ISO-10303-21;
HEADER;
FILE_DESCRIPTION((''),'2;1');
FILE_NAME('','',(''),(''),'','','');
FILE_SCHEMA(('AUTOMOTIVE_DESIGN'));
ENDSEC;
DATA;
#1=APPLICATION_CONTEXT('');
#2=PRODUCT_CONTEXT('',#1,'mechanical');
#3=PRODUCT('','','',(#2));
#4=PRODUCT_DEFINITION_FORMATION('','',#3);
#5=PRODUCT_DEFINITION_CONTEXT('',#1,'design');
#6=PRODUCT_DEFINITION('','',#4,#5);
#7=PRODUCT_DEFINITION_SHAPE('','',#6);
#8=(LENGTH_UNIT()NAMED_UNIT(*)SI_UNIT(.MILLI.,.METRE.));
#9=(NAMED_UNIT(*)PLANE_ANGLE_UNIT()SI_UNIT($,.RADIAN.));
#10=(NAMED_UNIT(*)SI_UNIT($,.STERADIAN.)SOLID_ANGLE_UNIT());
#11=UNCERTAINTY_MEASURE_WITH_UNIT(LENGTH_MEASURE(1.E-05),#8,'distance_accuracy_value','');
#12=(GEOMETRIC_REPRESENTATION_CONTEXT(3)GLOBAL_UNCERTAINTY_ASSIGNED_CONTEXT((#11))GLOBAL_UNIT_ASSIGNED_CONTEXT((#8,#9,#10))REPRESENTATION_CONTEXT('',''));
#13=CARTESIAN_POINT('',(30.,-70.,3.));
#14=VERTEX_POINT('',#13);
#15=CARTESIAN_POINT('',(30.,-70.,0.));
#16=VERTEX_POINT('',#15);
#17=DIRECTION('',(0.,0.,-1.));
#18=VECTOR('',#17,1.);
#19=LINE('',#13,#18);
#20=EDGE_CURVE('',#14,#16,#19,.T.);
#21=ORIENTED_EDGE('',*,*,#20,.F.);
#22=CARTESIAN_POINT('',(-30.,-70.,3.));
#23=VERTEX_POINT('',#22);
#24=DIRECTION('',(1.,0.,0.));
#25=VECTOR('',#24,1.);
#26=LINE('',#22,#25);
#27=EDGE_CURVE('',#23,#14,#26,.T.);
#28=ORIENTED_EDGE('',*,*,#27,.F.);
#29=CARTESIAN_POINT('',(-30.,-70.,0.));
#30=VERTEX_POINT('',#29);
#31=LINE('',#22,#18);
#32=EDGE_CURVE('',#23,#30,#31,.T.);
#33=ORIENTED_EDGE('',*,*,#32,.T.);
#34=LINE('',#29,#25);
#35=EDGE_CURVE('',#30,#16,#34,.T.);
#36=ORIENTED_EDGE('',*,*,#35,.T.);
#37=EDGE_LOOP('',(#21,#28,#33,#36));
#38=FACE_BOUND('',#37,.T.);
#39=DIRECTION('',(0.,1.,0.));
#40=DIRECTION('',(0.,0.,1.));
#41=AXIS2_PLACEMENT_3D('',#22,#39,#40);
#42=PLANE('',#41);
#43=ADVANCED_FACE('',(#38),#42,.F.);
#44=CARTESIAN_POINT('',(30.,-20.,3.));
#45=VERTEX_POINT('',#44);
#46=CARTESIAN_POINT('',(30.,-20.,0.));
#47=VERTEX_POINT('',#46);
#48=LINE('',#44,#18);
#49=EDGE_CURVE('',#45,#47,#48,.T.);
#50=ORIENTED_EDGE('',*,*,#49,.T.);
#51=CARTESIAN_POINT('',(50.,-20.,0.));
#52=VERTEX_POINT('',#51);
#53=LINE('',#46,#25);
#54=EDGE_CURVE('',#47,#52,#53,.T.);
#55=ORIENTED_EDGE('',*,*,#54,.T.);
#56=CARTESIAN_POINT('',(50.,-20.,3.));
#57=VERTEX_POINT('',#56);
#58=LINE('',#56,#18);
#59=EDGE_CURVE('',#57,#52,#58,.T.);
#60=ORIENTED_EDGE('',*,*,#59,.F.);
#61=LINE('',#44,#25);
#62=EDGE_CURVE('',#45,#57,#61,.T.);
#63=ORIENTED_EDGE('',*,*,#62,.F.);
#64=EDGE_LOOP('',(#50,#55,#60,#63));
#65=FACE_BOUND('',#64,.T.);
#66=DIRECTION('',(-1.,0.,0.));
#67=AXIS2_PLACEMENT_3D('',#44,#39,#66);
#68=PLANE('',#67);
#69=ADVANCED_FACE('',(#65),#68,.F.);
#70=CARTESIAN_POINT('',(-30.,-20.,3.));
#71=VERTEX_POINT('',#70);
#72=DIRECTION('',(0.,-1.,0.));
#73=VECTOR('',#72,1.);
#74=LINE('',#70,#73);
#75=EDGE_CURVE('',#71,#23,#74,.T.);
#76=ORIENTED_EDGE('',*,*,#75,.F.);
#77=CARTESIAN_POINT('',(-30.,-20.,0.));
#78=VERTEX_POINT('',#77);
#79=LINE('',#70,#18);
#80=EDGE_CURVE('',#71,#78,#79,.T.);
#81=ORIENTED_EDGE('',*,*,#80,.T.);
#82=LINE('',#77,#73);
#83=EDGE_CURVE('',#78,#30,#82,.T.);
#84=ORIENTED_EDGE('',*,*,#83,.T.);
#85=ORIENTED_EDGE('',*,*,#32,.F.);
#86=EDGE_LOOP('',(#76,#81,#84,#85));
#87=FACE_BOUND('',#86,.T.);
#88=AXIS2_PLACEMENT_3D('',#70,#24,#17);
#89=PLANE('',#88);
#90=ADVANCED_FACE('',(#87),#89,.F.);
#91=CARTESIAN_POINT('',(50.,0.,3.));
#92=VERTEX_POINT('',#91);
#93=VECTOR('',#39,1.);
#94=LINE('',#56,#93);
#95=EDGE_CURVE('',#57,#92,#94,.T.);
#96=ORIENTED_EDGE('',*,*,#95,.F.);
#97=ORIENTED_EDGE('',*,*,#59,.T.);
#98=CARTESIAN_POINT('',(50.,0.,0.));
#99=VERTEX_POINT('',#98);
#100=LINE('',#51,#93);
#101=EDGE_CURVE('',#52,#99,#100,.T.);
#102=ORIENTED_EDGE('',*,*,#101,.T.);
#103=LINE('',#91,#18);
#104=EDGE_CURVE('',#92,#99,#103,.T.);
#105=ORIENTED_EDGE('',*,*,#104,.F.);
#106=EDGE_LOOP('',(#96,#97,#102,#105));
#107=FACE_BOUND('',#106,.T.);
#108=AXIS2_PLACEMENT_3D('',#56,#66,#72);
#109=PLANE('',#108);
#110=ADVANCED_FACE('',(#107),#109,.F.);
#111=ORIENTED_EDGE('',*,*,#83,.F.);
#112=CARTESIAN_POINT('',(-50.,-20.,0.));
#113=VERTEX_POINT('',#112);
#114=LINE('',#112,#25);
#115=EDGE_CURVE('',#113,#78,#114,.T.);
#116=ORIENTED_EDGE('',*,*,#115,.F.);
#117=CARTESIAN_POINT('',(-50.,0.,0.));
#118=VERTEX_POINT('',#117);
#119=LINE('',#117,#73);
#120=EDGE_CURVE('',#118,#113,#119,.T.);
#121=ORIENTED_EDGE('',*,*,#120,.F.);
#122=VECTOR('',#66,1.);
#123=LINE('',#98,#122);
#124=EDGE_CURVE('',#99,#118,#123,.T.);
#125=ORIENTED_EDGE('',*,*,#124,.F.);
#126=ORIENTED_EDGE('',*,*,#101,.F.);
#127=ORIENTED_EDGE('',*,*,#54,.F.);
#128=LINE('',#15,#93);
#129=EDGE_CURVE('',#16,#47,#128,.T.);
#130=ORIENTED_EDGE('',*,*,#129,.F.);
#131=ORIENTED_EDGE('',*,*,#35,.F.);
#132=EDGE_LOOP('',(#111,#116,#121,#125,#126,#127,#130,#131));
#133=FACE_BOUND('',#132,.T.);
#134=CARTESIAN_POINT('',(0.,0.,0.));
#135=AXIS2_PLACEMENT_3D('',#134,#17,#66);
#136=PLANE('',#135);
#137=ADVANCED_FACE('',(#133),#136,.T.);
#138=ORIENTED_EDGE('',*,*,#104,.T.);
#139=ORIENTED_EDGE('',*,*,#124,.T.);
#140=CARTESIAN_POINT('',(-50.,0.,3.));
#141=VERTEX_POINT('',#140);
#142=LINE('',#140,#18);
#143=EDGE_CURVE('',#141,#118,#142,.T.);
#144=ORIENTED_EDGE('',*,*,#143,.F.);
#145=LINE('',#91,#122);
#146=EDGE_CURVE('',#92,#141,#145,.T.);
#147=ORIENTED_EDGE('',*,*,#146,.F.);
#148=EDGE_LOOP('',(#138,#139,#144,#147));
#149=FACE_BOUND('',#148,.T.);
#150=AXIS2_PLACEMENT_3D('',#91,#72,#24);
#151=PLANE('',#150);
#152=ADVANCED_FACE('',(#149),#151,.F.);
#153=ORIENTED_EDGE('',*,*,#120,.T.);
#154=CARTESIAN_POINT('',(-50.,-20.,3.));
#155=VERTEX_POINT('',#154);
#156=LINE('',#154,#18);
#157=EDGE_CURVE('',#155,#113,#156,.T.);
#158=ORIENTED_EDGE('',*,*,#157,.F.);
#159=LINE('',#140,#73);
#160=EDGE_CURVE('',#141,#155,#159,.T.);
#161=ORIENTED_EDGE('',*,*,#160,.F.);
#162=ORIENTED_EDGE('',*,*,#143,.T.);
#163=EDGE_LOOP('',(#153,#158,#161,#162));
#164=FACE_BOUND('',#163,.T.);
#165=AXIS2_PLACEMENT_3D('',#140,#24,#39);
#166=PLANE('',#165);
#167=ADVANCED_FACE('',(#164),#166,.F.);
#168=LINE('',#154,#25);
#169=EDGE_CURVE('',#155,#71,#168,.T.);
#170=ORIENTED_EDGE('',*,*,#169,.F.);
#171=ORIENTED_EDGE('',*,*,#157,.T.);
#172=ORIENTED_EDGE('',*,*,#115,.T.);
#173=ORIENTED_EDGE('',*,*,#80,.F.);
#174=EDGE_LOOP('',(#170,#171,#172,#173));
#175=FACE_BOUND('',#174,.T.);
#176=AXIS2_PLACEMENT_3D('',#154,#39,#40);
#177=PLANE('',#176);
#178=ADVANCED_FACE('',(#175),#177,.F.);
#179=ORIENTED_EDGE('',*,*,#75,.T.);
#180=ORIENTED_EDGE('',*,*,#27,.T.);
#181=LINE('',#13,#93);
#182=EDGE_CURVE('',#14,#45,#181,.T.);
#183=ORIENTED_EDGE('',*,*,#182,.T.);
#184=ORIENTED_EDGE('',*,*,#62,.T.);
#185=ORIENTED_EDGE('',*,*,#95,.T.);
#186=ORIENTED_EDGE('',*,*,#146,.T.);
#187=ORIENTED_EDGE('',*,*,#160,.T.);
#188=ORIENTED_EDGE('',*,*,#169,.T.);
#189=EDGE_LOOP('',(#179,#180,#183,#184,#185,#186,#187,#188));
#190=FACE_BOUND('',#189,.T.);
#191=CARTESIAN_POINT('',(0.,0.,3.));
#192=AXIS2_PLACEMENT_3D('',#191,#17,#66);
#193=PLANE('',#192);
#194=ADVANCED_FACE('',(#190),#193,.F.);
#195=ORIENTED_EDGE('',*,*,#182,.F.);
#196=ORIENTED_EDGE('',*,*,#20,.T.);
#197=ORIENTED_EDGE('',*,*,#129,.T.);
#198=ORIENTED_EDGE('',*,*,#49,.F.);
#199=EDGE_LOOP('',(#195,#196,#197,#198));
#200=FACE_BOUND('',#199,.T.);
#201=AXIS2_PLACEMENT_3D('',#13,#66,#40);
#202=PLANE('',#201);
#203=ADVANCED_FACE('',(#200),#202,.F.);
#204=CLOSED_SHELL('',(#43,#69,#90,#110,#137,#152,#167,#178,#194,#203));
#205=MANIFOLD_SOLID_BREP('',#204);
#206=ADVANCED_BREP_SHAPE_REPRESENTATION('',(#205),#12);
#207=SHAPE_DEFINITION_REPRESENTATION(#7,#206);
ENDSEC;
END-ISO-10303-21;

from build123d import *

# Parameters (mm, degrees)
BOSS_EXTRUDE1_DEPTH = 3


with BuildPart() as part:
    # Sketch1 → Boss-Extrude1 (new body)
    with BuildSketch(Plane.XY):
        Polygon((-30, -20), (-30, -70), (30, -70), (30, -20), (50, -20), (50, 0), (-50, 0), (-50, -20), align=None)
    extrude(amount=BOSS_EXTRUDE1_DEPTH)


solid = part.part
